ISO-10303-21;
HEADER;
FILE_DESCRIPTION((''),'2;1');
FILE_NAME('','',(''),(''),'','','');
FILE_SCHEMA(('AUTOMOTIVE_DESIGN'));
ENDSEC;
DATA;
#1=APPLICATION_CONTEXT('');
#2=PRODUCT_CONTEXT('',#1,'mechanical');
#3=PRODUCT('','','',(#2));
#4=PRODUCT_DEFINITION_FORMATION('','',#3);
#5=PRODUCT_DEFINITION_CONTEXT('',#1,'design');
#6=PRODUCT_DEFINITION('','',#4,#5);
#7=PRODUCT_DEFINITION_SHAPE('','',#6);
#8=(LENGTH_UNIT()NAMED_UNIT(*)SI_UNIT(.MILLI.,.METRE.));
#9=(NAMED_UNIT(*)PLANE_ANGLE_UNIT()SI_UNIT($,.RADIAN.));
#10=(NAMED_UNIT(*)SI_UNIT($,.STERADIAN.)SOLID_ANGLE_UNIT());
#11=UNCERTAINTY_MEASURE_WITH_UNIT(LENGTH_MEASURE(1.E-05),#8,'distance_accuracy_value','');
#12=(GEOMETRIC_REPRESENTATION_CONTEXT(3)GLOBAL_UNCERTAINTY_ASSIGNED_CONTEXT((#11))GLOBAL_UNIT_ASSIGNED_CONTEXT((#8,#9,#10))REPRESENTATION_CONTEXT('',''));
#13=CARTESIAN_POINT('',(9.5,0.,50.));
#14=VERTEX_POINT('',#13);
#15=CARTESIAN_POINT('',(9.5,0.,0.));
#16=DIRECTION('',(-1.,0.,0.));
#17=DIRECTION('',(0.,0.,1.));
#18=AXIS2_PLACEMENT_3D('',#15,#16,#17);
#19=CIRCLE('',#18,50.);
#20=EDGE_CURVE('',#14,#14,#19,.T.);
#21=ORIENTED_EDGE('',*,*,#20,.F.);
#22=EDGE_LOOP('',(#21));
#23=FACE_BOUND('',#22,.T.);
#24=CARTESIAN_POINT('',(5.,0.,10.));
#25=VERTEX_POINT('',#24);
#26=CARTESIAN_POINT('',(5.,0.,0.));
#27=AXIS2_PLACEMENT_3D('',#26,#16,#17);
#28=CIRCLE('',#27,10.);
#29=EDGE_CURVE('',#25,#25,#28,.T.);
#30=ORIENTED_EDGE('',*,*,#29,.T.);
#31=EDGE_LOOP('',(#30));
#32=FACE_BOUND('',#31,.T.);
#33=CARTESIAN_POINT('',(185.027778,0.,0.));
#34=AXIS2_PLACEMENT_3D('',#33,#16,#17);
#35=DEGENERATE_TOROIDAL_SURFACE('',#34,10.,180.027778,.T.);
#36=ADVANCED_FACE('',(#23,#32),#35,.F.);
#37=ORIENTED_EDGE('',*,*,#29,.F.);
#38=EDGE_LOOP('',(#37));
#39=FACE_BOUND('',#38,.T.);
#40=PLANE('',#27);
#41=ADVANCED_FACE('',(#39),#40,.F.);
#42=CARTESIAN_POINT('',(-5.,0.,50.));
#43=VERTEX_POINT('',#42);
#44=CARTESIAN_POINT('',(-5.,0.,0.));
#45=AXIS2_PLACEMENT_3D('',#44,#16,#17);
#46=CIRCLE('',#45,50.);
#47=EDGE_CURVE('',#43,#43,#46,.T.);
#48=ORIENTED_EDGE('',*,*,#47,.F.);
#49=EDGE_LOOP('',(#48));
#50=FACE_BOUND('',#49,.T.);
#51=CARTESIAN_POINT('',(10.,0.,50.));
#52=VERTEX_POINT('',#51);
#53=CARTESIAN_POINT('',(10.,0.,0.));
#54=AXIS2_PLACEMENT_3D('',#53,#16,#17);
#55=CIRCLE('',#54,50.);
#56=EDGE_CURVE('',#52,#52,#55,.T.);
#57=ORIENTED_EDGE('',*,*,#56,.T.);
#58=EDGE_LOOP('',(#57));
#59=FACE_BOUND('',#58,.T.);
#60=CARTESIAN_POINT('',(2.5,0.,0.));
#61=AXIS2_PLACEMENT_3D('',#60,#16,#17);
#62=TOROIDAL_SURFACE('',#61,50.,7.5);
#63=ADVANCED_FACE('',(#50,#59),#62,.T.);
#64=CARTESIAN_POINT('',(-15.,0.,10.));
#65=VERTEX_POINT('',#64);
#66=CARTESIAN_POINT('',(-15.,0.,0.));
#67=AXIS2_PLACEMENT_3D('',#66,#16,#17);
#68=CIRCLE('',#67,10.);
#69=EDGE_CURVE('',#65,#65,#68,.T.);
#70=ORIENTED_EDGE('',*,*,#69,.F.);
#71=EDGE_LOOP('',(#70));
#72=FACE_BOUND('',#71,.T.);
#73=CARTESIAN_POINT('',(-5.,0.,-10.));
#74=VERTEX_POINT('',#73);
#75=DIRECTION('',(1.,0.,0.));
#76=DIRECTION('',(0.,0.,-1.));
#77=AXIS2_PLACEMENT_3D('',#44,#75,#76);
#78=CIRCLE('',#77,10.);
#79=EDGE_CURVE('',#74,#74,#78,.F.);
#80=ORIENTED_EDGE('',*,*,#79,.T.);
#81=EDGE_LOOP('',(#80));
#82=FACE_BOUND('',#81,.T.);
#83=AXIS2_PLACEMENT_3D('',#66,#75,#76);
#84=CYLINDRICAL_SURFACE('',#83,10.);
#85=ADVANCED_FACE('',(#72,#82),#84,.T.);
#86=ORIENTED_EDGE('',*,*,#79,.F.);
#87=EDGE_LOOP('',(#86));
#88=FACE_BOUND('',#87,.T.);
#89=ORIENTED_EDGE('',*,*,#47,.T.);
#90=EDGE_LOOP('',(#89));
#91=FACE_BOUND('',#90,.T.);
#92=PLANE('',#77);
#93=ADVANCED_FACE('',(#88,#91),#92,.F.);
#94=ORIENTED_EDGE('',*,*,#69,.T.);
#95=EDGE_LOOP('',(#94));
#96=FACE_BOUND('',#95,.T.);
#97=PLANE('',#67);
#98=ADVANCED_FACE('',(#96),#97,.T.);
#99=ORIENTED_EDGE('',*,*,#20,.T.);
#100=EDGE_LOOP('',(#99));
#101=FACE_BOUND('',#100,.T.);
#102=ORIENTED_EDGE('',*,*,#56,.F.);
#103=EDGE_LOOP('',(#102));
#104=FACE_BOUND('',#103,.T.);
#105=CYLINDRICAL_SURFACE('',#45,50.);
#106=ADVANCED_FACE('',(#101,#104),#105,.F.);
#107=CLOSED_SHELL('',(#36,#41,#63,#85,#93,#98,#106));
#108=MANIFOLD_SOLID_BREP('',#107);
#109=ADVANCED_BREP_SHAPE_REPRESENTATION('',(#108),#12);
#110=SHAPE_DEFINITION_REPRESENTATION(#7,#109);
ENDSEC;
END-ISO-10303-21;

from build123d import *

# Parameters (mm, degrees)
SKETCH3_R           = 10
BOSS_EXTRUDE1_DEPTH = 10


with BuildPart() as part:
    # Sketch2 → Revolve1 (revolve)
    with BuildSketch(Plane.XY):
        with BuildLine():
            Line((-5, 0), (5, 0))
            Line((5, 0), (5, 10))
            ThreePointArc((5, 10), (6.128537222, 30.126164563), (9.5, 50))
            Line((9.5, 50), (10, 50))
            ThreePointArc((10, 50), (2.5, 57.5), (-5, 50))
            Line((-5, 50), (-5, 0))
        make_face()
    revolve(axis=Axis((-5, 0, 0), (1, 0, 0)))

    # Sketch3 → Boss-Extrude1 (add)
    with BuildSketch(Plane.ZY.offset(5)):
        Circle(SKETCH3_R)
    extrude(amount=BOSS_EXTRUDE1_DEPTH)


solid = part.part
